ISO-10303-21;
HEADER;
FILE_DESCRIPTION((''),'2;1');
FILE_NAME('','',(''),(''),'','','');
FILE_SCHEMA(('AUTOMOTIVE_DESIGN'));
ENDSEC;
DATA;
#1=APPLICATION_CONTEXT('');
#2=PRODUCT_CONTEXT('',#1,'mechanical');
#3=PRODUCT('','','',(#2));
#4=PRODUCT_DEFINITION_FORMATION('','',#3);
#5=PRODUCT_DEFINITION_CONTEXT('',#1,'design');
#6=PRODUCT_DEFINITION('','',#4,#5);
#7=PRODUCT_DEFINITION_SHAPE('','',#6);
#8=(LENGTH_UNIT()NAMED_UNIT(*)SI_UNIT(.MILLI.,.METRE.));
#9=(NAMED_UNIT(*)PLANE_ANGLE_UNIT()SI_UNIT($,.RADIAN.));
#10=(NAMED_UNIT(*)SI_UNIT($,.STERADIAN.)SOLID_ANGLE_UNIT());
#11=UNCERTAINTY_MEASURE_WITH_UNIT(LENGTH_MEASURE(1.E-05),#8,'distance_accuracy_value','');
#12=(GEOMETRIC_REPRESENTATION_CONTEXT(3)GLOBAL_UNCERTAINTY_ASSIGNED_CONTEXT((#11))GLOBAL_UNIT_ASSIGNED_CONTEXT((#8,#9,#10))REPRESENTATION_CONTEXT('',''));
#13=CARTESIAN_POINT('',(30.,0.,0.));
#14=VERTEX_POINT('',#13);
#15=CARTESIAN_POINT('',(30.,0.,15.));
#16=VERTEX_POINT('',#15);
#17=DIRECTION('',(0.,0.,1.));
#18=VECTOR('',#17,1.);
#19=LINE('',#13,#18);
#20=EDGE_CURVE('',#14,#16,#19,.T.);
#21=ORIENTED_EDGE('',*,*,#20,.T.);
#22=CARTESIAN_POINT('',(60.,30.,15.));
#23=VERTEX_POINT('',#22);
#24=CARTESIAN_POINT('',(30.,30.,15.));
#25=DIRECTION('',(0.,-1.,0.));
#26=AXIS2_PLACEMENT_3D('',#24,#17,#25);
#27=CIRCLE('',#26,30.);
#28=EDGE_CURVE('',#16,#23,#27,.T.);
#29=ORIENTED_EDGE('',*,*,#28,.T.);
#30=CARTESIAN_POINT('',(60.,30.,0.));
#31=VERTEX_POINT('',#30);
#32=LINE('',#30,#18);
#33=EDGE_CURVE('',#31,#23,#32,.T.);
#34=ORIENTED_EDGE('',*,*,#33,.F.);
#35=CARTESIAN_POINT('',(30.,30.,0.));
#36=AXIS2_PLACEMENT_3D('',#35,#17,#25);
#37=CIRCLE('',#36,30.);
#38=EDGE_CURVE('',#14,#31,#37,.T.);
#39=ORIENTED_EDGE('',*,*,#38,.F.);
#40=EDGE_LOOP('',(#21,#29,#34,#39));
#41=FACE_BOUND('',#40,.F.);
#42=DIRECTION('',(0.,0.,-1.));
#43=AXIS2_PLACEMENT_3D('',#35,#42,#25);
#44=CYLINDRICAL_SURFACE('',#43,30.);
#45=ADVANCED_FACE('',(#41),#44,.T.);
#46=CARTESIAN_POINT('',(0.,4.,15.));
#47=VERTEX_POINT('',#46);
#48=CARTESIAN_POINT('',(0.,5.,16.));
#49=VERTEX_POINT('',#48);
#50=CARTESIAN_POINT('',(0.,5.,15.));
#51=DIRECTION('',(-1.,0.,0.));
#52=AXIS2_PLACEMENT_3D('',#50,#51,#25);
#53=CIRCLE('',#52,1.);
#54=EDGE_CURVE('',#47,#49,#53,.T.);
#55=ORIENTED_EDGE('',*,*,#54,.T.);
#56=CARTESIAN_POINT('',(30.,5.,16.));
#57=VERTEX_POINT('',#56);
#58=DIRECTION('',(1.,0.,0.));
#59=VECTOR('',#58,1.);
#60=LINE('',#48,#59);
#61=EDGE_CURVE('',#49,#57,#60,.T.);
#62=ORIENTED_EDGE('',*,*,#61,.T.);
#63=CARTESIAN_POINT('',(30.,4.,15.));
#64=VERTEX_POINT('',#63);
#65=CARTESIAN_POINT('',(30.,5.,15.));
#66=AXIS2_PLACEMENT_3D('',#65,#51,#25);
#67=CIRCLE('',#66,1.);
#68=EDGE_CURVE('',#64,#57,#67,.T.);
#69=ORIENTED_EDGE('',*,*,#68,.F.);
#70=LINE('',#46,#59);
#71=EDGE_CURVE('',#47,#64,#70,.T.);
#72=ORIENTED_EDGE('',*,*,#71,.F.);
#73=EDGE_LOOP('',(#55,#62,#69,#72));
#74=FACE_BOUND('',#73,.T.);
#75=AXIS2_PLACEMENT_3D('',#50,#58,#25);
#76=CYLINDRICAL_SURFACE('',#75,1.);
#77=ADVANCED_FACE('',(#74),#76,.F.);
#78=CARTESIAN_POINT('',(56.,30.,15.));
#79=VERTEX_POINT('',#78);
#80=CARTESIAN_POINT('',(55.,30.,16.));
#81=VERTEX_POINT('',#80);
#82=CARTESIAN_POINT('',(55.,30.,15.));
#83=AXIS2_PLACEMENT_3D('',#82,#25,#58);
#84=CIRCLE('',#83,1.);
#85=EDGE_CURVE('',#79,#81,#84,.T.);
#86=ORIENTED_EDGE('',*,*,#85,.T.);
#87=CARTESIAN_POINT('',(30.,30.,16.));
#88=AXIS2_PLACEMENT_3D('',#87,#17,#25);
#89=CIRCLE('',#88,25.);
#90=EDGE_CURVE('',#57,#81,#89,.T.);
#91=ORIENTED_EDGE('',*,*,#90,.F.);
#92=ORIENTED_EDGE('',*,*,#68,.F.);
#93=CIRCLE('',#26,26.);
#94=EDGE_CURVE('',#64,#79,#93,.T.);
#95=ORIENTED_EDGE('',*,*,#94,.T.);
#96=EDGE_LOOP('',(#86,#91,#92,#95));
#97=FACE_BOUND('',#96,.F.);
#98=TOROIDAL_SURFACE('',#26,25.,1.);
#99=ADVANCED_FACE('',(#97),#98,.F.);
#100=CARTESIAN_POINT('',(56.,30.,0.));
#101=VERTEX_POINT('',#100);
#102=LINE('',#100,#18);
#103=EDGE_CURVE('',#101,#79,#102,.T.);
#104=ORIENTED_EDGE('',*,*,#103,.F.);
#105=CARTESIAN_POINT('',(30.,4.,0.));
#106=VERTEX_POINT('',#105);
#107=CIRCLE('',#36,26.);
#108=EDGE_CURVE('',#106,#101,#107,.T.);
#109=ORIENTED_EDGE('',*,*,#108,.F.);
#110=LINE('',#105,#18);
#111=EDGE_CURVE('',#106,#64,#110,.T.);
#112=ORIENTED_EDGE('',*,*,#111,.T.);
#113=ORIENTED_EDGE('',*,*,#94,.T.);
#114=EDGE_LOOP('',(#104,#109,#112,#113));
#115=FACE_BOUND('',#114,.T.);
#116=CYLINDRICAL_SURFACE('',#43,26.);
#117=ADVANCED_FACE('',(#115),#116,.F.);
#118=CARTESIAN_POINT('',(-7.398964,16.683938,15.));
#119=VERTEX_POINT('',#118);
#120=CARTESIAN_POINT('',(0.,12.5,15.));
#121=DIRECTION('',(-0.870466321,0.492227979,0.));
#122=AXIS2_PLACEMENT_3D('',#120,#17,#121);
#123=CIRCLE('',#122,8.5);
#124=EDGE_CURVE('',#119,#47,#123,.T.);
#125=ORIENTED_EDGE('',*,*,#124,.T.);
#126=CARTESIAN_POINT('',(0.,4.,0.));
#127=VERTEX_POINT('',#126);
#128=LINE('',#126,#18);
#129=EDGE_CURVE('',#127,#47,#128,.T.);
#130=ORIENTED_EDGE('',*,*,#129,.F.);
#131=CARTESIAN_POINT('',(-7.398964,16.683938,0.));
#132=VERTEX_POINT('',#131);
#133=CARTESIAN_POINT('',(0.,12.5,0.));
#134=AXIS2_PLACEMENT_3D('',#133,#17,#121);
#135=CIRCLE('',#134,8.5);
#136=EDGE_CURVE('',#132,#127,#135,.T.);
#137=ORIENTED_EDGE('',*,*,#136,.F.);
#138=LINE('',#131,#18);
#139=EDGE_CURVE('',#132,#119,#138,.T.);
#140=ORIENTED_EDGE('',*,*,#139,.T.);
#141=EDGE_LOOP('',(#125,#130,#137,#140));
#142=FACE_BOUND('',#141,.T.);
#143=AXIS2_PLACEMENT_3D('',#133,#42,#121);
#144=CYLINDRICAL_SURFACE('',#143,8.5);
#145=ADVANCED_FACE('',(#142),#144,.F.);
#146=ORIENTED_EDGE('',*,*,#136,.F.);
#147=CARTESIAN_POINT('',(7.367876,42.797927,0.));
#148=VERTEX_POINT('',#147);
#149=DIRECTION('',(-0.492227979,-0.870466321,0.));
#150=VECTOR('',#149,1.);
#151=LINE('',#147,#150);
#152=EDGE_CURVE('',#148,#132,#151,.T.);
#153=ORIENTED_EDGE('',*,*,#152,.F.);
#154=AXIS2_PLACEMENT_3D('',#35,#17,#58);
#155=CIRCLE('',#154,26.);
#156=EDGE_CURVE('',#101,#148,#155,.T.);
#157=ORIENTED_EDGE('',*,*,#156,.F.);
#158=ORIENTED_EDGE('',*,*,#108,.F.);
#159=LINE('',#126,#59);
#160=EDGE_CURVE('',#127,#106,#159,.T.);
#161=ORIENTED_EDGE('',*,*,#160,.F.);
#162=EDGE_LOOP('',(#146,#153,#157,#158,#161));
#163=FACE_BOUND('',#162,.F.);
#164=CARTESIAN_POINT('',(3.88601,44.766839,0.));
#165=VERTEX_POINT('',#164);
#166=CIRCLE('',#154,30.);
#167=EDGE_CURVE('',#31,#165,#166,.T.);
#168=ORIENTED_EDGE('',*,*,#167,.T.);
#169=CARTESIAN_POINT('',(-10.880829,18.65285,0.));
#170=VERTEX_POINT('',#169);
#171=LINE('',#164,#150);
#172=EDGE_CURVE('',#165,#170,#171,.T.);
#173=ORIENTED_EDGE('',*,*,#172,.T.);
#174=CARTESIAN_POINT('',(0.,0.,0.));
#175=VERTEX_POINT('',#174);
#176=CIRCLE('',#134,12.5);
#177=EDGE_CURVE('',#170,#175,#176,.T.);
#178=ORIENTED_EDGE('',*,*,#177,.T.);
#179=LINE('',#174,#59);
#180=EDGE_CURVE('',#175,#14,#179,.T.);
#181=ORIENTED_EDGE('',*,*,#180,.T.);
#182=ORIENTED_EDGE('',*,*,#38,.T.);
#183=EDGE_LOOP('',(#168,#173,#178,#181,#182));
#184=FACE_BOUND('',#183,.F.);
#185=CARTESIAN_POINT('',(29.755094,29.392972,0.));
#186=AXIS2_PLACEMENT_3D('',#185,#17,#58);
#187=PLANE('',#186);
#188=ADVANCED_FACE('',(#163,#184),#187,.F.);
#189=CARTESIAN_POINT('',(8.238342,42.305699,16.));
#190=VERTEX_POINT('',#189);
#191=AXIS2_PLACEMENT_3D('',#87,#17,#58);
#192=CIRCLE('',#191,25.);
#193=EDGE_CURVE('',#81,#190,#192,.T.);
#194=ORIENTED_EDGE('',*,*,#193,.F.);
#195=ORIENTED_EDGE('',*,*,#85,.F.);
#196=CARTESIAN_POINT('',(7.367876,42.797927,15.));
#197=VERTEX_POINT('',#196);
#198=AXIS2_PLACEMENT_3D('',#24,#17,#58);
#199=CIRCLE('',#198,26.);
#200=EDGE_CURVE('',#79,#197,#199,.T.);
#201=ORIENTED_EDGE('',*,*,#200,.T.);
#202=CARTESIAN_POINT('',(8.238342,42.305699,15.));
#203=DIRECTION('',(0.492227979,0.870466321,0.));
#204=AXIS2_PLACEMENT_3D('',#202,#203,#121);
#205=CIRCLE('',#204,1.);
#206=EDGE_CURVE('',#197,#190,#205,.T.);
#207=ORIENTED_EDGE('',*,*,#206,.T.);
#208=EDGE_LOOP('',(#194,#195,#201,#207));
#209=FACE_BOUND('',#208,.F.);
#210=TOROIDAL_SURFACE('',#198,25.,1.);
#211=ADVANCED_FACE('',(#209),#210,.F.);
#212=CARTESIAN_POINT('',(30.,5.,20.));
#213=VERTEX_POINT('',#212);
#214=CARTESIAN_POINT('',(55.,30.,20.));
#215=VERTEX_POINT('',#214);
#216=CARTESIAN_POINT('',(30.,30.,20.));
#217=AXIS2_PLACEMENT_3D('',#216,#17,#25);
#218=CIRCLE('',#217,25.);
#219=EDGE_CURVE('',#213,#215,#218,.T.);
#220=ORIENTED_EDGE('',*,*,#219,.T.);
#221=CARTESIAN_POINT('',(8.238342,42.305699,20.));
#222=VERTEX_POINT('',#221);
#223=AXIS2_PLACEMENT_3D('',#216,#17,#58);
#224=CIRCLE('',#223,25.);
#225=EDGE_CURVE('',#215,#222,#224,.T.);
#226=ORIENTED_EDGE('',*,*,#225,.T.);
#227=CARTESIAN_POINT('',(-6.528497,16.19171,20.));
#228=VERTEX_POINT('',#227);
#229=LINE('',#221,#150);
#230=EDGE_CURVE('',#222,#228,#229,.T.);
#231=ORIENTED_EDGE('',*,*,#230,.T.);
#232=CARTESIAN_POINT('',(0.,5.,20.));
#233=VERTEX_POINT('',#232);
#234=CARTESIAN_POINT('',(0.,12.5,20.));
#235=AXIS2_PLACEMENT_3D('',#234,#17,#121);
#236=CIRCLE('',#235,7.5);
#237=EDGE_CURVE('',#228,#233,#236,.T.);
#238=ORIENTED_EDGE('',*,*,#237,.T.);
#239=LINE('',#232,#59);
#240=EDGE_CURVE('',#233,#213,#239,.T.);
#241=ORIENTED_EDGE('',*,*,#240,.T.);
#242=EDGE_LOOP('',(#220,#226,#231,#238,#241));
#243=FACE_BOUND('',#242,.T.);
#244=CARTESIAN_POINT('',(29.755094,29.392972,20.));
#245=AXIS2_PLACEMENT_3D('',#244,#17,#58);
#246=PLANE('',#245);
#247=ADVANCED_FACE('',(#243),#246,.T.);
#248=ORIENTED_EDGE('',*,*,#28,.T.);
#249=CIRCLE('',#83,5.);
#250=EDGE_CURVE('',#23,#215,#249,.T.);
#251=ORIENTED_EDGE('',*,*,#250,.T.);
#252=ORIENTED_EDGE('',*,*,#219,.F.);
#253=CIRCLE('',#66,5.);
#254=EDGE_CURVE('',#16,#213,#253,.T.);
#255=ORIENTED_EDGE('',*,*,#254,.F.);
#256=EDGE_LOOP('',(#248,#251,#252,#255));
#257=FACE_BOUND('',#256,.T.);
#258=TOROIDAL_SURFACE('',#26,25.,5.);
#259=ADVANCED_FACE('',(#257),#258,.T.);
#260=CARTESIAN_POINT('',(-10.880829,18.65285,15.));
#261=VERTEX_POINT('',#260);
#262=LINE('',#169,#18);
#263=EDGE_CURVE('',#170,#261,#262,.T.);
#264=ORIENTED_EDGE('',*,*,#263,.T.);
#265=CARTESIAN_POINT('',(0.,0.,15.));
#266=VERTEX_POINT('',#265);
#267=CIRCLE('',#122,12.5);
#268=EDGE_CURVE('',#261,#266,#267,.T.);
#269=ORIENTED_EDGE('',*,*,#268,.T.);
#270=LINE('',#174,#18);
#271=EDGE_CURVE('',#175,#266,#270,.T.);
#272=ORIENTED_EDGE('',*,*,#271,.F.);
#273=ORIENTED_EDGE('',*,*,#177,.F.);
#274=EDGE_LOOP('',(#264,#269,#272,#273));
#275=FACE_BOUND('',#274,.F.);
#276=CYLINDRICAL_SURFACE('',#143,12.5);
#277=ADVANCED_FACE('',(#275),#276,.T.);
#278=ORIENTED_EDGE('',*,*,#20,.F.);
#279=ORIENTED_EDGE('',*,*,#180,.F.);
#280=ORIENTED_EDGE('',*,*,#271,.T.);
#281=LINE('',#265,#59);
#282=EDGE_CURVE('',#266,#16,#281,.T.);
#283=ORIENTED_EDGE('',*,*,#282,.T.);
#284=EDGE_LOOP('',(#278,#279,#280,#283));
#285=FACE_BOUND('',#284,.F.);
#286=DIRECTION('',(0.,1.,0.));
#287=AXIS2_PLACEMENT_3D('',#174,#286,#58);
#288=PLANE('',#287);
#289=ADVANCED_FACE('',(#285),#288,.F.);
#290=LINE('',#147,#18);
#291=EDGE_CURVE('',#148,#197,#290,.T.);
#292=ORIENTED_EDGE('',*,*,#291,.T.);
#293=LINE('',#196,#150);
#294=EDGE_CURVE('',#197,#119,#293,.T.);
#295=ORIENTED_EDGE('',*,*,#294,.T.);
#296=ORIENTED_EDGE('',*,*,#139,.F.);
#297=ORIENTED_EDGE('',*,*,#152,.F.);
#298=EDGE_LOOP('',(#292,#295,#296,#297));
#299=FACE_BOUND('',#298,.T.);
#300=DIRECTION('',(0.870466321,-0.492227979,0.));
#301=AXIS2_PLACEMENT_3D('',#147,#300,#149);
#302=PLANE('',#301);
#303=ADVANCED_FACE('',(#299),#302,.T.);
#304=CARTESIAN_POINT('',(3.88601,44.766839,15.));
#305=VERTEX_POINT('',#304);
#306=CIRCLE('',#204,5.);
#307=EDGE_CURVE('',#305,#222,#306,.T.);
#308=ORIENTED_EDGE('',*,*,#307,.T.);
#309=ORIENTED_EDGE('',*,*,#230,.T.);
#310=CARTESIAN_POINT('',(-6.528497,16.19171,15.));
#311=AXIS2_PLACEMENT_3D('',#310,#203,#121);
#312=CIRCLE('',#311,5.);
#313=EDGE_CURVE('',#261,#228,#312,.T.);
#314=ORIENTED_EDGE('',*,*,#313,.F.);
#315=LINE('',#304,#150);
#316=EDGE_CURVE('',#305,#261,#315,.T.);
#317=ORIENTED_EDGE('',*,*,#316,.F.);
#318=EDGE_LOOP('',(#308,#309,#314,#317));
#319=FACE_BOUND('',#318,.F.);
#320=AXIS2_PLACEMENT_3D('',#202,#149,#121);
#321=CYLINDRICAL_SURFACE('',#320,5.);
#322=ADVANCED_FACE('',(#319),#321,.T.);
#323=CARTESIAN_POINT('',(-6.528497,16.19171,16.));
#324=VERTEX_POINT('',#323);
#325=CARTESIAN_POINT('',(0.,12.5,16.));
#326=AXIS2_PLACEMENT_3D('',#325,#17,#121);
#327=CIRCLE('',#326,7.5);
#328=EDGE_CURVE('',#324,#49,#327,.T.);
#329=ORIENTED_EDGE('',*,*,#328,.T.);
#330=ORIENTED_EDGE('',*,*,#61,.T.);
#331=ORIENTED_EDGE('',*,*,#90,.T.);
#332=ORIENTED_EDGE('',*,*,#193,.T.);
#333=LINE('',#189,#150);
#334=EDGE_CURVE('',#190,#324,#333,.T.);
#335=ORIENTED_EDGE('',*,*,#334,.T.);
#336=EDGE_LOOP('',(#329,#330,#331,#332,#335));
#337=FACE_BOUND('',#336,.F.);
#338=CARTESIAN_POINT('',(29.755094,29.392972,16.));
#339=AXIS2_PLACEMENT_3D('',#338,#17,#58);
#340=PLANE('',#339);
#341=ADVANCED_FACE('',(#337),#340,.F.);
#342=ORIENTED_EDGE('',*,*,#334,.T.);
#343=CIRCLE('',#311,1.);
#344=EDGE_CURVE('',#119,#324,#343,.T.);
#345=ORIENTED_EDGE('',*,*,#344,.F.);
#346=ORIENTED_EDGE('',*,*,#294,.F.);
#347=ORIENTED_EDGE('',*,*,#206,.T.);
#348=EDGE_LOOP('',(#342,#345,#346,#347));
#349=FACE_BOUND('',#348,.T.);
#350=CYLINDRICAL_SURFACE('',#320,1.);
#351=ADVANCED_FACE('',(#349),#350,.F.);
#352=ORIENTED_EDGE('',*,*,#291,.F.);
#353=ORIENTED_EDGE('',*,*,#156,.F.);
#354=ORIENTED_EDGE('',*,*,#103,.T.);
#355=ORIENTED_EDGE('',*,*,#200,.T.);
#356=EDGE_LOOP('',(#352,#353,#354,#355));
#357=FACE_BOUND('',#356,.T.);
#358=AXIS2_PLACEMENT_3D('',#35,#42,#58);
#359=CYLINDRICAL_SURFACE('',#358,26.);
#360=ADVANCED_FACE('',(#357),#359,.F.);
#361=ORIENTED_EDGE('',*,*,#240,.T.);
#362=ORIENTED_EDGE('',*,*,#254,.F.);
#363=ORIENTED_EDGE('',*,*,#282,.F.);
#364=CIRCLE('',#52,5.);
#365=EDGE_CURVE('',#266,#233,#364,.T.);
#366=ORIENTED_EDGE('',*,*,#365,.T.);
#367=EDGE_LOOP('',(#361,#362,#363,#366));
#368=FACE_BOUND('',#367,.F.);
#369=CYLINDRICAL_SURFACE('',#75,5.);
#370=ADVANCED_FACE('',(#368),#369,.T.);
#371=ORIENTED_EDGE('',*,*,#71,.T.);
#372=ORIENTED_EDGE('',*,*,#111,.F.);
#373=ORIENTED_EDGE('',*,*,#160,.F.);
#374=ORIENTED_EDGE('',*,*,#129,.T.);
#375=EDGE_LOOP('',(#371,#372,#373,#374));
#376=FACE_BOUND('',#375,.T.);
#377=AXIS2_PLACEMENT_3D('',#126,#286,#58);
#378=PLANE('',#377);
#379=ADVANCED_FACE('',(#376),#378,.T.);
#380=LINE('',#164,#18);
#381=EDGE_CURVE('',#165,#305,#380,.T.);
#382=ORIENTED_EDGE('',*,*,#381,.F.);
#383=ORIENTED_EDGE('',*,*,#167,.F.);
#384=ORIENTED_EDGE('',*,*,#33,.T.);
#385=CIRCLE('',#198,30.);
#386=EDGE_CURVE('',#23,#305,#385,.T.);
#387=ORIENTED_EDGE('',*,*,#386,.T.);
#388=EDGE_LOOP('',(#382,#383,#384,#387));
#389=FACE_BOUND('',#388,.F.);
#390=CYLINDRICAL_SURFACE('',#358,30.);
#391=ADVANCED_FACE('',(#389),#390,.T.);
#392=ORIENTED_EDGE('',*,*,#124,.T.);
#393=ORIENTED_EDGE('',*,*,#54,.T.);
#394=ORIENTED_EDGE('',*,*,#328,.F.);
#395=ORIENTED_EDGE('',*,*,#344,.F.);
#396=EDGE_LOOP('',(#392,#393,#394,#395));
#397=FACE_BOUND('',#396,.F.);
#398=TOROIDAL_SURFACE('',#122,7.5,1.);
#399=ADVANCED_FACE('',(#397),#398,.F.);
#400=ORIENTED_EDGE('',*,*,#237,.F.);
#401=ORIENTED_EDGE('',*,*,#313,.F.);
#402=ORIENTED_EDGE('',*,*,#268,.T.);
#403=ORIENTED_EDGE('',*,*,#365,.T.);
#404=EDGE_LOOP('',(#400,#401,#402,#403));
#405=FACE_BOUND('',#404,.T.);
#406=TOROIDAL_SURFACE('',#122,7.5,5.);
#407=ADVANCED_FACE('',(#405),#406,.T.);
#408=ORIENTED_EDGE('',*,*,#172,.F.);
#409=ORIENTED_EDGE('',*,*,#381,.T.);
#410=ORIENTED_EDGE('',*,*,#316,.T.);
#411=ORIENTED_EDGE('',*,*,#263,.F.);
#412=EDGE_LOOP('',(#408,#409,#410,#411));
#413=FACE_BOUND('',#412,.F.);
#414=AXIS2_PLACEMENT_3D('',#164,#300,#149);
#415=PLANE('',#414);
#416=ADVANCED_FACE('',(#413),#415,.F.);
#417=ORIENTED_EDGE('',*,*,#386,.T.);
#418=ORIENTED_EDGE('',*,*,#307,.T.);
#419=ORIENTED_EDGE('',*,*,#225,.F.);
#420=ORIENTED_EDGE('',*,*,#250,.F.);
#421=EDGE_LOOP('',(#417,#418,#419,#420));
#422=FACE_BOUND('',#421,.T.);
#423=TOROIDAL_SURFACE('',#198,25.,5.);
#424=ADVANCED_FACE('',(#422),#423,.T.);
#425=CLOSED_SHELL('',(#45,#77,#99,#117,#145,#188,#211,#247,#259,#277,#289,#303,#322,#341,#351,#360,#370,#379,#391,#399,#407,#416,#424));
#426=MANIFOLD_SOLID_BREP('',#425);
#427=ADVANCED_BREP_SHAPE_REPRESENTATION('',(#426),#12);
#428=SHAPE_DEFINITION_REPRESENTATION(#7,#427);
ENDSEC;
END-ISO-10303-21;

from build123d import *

# Parameters (mm, degrees)
F1_DEPTH = 20
F2_R     = 5
F3_T     = -4


with BuildPart() as f1:
    # F0 (on Top) → F1 (new body)
    with BuildSketch(Plane.XY):
        with BuildLine():
            ThreePointArc((30, 0), (51.2132034356, 8.7867965644), (60, 30))
            ThreePointArc((60, 30), (37.6347989784, 59.0122361179), (3.8860103627, 44.7668393782))
            ThreePointArc((3.8860103627, 44.7668393782), (0.4502981981, 35.1783321081), (0.4207995235, 24.9929151026))
            ThreePointArc((0.4207995235, 24.9929151026), (8.9863784152, 21.1887860474), (12.5, 12.5))
            ThreePointArc((12.5, 12.5), (12.1402716069, 9.5227856456), (11.0817911501, 6.716929457))
            ThreePointArc((11.0817911501, 6.716929457), (19.9623736942, 1.7290598291), (30, 0))
        make_face()
        with BuildLine():
            ThreePointArc((0.4207995235, 24.9929151026), (0.4502981981, 35.1783321081), (3.8860103627, 44.7668393782))
            Line((3.8860103627, 44.7668393782), (-10.8808290155, 18.6528497409))
            ThreePointArc((-10.8808290155, 18.6528497409), (-6.1157306547, 23.4017355755), (0.4207995235, 24.9929151026))
        make_face()
        with BuildLine():
            Line((0, 0), (30, 0))
            ThreePointArc((30, 0), (19.9623736942, 1.7290598291), (11.0817911501, 6.716929457))
            ThreePointArc((11.0817911501, 6.716929457), (6.4792599196, 1.8103231623), (0, 0))
        make_face()
        with BuildLine():
            ThreePointArc((11.0817911501, 6.716929457), (4.086632973, 14.8838692343), (0.4207995235, 24.9929151026))
            ThreePointArc((0.4207995235, 24.9929151026), (-6.1157306547, 23.4017355755), (-10.8808290155, 18.6528497409))
            ThreePointArc((-10.8808290155, 18.6528497409), (-10.7972362612, 6.2016121809), (0, 0))
            ThreePointArc((0, 0), (6.4792599196, 1.8103231623), (11.0817911501, 6.716929457))
        make_face()
        with BuildLine():
            ThreePointArc((12.5, 12.5), (8.9863784152, 21.1887860474), (0.4207995235, 24.9929151026))
            ThreePointArc((0.4207995235, 24.9929151026), (4.086632973, 14.8838692343), (11.0817911501, 6.716929457))
            ThreePointArc((11.0817911501, 6.716929457), (12.1402716069, 9.5227856456), (12.5, 12.5))
        make_face()
    extrude(amount=F1_DEPTH)

    # F2
    f2_edges = [f1.edges().sort_by_distance(p)[0] for p in [
        (55.913367, 45.116131, 20),
        (-3.497409, 31.709845, 20),
        (-10.797236, 6.201612, 20),
        (15, 0, 20),
    ]]
    fillet(f2_edges, radius=F2_R)

    # F3
    f3_openings = [f1.faces().sort_by_distance(p)[0] for p in [
        (25.443673, 27.342143, 0),
    ]]
    offset(amount=F3_T, openings=f3_openings)


solid = f1.part
